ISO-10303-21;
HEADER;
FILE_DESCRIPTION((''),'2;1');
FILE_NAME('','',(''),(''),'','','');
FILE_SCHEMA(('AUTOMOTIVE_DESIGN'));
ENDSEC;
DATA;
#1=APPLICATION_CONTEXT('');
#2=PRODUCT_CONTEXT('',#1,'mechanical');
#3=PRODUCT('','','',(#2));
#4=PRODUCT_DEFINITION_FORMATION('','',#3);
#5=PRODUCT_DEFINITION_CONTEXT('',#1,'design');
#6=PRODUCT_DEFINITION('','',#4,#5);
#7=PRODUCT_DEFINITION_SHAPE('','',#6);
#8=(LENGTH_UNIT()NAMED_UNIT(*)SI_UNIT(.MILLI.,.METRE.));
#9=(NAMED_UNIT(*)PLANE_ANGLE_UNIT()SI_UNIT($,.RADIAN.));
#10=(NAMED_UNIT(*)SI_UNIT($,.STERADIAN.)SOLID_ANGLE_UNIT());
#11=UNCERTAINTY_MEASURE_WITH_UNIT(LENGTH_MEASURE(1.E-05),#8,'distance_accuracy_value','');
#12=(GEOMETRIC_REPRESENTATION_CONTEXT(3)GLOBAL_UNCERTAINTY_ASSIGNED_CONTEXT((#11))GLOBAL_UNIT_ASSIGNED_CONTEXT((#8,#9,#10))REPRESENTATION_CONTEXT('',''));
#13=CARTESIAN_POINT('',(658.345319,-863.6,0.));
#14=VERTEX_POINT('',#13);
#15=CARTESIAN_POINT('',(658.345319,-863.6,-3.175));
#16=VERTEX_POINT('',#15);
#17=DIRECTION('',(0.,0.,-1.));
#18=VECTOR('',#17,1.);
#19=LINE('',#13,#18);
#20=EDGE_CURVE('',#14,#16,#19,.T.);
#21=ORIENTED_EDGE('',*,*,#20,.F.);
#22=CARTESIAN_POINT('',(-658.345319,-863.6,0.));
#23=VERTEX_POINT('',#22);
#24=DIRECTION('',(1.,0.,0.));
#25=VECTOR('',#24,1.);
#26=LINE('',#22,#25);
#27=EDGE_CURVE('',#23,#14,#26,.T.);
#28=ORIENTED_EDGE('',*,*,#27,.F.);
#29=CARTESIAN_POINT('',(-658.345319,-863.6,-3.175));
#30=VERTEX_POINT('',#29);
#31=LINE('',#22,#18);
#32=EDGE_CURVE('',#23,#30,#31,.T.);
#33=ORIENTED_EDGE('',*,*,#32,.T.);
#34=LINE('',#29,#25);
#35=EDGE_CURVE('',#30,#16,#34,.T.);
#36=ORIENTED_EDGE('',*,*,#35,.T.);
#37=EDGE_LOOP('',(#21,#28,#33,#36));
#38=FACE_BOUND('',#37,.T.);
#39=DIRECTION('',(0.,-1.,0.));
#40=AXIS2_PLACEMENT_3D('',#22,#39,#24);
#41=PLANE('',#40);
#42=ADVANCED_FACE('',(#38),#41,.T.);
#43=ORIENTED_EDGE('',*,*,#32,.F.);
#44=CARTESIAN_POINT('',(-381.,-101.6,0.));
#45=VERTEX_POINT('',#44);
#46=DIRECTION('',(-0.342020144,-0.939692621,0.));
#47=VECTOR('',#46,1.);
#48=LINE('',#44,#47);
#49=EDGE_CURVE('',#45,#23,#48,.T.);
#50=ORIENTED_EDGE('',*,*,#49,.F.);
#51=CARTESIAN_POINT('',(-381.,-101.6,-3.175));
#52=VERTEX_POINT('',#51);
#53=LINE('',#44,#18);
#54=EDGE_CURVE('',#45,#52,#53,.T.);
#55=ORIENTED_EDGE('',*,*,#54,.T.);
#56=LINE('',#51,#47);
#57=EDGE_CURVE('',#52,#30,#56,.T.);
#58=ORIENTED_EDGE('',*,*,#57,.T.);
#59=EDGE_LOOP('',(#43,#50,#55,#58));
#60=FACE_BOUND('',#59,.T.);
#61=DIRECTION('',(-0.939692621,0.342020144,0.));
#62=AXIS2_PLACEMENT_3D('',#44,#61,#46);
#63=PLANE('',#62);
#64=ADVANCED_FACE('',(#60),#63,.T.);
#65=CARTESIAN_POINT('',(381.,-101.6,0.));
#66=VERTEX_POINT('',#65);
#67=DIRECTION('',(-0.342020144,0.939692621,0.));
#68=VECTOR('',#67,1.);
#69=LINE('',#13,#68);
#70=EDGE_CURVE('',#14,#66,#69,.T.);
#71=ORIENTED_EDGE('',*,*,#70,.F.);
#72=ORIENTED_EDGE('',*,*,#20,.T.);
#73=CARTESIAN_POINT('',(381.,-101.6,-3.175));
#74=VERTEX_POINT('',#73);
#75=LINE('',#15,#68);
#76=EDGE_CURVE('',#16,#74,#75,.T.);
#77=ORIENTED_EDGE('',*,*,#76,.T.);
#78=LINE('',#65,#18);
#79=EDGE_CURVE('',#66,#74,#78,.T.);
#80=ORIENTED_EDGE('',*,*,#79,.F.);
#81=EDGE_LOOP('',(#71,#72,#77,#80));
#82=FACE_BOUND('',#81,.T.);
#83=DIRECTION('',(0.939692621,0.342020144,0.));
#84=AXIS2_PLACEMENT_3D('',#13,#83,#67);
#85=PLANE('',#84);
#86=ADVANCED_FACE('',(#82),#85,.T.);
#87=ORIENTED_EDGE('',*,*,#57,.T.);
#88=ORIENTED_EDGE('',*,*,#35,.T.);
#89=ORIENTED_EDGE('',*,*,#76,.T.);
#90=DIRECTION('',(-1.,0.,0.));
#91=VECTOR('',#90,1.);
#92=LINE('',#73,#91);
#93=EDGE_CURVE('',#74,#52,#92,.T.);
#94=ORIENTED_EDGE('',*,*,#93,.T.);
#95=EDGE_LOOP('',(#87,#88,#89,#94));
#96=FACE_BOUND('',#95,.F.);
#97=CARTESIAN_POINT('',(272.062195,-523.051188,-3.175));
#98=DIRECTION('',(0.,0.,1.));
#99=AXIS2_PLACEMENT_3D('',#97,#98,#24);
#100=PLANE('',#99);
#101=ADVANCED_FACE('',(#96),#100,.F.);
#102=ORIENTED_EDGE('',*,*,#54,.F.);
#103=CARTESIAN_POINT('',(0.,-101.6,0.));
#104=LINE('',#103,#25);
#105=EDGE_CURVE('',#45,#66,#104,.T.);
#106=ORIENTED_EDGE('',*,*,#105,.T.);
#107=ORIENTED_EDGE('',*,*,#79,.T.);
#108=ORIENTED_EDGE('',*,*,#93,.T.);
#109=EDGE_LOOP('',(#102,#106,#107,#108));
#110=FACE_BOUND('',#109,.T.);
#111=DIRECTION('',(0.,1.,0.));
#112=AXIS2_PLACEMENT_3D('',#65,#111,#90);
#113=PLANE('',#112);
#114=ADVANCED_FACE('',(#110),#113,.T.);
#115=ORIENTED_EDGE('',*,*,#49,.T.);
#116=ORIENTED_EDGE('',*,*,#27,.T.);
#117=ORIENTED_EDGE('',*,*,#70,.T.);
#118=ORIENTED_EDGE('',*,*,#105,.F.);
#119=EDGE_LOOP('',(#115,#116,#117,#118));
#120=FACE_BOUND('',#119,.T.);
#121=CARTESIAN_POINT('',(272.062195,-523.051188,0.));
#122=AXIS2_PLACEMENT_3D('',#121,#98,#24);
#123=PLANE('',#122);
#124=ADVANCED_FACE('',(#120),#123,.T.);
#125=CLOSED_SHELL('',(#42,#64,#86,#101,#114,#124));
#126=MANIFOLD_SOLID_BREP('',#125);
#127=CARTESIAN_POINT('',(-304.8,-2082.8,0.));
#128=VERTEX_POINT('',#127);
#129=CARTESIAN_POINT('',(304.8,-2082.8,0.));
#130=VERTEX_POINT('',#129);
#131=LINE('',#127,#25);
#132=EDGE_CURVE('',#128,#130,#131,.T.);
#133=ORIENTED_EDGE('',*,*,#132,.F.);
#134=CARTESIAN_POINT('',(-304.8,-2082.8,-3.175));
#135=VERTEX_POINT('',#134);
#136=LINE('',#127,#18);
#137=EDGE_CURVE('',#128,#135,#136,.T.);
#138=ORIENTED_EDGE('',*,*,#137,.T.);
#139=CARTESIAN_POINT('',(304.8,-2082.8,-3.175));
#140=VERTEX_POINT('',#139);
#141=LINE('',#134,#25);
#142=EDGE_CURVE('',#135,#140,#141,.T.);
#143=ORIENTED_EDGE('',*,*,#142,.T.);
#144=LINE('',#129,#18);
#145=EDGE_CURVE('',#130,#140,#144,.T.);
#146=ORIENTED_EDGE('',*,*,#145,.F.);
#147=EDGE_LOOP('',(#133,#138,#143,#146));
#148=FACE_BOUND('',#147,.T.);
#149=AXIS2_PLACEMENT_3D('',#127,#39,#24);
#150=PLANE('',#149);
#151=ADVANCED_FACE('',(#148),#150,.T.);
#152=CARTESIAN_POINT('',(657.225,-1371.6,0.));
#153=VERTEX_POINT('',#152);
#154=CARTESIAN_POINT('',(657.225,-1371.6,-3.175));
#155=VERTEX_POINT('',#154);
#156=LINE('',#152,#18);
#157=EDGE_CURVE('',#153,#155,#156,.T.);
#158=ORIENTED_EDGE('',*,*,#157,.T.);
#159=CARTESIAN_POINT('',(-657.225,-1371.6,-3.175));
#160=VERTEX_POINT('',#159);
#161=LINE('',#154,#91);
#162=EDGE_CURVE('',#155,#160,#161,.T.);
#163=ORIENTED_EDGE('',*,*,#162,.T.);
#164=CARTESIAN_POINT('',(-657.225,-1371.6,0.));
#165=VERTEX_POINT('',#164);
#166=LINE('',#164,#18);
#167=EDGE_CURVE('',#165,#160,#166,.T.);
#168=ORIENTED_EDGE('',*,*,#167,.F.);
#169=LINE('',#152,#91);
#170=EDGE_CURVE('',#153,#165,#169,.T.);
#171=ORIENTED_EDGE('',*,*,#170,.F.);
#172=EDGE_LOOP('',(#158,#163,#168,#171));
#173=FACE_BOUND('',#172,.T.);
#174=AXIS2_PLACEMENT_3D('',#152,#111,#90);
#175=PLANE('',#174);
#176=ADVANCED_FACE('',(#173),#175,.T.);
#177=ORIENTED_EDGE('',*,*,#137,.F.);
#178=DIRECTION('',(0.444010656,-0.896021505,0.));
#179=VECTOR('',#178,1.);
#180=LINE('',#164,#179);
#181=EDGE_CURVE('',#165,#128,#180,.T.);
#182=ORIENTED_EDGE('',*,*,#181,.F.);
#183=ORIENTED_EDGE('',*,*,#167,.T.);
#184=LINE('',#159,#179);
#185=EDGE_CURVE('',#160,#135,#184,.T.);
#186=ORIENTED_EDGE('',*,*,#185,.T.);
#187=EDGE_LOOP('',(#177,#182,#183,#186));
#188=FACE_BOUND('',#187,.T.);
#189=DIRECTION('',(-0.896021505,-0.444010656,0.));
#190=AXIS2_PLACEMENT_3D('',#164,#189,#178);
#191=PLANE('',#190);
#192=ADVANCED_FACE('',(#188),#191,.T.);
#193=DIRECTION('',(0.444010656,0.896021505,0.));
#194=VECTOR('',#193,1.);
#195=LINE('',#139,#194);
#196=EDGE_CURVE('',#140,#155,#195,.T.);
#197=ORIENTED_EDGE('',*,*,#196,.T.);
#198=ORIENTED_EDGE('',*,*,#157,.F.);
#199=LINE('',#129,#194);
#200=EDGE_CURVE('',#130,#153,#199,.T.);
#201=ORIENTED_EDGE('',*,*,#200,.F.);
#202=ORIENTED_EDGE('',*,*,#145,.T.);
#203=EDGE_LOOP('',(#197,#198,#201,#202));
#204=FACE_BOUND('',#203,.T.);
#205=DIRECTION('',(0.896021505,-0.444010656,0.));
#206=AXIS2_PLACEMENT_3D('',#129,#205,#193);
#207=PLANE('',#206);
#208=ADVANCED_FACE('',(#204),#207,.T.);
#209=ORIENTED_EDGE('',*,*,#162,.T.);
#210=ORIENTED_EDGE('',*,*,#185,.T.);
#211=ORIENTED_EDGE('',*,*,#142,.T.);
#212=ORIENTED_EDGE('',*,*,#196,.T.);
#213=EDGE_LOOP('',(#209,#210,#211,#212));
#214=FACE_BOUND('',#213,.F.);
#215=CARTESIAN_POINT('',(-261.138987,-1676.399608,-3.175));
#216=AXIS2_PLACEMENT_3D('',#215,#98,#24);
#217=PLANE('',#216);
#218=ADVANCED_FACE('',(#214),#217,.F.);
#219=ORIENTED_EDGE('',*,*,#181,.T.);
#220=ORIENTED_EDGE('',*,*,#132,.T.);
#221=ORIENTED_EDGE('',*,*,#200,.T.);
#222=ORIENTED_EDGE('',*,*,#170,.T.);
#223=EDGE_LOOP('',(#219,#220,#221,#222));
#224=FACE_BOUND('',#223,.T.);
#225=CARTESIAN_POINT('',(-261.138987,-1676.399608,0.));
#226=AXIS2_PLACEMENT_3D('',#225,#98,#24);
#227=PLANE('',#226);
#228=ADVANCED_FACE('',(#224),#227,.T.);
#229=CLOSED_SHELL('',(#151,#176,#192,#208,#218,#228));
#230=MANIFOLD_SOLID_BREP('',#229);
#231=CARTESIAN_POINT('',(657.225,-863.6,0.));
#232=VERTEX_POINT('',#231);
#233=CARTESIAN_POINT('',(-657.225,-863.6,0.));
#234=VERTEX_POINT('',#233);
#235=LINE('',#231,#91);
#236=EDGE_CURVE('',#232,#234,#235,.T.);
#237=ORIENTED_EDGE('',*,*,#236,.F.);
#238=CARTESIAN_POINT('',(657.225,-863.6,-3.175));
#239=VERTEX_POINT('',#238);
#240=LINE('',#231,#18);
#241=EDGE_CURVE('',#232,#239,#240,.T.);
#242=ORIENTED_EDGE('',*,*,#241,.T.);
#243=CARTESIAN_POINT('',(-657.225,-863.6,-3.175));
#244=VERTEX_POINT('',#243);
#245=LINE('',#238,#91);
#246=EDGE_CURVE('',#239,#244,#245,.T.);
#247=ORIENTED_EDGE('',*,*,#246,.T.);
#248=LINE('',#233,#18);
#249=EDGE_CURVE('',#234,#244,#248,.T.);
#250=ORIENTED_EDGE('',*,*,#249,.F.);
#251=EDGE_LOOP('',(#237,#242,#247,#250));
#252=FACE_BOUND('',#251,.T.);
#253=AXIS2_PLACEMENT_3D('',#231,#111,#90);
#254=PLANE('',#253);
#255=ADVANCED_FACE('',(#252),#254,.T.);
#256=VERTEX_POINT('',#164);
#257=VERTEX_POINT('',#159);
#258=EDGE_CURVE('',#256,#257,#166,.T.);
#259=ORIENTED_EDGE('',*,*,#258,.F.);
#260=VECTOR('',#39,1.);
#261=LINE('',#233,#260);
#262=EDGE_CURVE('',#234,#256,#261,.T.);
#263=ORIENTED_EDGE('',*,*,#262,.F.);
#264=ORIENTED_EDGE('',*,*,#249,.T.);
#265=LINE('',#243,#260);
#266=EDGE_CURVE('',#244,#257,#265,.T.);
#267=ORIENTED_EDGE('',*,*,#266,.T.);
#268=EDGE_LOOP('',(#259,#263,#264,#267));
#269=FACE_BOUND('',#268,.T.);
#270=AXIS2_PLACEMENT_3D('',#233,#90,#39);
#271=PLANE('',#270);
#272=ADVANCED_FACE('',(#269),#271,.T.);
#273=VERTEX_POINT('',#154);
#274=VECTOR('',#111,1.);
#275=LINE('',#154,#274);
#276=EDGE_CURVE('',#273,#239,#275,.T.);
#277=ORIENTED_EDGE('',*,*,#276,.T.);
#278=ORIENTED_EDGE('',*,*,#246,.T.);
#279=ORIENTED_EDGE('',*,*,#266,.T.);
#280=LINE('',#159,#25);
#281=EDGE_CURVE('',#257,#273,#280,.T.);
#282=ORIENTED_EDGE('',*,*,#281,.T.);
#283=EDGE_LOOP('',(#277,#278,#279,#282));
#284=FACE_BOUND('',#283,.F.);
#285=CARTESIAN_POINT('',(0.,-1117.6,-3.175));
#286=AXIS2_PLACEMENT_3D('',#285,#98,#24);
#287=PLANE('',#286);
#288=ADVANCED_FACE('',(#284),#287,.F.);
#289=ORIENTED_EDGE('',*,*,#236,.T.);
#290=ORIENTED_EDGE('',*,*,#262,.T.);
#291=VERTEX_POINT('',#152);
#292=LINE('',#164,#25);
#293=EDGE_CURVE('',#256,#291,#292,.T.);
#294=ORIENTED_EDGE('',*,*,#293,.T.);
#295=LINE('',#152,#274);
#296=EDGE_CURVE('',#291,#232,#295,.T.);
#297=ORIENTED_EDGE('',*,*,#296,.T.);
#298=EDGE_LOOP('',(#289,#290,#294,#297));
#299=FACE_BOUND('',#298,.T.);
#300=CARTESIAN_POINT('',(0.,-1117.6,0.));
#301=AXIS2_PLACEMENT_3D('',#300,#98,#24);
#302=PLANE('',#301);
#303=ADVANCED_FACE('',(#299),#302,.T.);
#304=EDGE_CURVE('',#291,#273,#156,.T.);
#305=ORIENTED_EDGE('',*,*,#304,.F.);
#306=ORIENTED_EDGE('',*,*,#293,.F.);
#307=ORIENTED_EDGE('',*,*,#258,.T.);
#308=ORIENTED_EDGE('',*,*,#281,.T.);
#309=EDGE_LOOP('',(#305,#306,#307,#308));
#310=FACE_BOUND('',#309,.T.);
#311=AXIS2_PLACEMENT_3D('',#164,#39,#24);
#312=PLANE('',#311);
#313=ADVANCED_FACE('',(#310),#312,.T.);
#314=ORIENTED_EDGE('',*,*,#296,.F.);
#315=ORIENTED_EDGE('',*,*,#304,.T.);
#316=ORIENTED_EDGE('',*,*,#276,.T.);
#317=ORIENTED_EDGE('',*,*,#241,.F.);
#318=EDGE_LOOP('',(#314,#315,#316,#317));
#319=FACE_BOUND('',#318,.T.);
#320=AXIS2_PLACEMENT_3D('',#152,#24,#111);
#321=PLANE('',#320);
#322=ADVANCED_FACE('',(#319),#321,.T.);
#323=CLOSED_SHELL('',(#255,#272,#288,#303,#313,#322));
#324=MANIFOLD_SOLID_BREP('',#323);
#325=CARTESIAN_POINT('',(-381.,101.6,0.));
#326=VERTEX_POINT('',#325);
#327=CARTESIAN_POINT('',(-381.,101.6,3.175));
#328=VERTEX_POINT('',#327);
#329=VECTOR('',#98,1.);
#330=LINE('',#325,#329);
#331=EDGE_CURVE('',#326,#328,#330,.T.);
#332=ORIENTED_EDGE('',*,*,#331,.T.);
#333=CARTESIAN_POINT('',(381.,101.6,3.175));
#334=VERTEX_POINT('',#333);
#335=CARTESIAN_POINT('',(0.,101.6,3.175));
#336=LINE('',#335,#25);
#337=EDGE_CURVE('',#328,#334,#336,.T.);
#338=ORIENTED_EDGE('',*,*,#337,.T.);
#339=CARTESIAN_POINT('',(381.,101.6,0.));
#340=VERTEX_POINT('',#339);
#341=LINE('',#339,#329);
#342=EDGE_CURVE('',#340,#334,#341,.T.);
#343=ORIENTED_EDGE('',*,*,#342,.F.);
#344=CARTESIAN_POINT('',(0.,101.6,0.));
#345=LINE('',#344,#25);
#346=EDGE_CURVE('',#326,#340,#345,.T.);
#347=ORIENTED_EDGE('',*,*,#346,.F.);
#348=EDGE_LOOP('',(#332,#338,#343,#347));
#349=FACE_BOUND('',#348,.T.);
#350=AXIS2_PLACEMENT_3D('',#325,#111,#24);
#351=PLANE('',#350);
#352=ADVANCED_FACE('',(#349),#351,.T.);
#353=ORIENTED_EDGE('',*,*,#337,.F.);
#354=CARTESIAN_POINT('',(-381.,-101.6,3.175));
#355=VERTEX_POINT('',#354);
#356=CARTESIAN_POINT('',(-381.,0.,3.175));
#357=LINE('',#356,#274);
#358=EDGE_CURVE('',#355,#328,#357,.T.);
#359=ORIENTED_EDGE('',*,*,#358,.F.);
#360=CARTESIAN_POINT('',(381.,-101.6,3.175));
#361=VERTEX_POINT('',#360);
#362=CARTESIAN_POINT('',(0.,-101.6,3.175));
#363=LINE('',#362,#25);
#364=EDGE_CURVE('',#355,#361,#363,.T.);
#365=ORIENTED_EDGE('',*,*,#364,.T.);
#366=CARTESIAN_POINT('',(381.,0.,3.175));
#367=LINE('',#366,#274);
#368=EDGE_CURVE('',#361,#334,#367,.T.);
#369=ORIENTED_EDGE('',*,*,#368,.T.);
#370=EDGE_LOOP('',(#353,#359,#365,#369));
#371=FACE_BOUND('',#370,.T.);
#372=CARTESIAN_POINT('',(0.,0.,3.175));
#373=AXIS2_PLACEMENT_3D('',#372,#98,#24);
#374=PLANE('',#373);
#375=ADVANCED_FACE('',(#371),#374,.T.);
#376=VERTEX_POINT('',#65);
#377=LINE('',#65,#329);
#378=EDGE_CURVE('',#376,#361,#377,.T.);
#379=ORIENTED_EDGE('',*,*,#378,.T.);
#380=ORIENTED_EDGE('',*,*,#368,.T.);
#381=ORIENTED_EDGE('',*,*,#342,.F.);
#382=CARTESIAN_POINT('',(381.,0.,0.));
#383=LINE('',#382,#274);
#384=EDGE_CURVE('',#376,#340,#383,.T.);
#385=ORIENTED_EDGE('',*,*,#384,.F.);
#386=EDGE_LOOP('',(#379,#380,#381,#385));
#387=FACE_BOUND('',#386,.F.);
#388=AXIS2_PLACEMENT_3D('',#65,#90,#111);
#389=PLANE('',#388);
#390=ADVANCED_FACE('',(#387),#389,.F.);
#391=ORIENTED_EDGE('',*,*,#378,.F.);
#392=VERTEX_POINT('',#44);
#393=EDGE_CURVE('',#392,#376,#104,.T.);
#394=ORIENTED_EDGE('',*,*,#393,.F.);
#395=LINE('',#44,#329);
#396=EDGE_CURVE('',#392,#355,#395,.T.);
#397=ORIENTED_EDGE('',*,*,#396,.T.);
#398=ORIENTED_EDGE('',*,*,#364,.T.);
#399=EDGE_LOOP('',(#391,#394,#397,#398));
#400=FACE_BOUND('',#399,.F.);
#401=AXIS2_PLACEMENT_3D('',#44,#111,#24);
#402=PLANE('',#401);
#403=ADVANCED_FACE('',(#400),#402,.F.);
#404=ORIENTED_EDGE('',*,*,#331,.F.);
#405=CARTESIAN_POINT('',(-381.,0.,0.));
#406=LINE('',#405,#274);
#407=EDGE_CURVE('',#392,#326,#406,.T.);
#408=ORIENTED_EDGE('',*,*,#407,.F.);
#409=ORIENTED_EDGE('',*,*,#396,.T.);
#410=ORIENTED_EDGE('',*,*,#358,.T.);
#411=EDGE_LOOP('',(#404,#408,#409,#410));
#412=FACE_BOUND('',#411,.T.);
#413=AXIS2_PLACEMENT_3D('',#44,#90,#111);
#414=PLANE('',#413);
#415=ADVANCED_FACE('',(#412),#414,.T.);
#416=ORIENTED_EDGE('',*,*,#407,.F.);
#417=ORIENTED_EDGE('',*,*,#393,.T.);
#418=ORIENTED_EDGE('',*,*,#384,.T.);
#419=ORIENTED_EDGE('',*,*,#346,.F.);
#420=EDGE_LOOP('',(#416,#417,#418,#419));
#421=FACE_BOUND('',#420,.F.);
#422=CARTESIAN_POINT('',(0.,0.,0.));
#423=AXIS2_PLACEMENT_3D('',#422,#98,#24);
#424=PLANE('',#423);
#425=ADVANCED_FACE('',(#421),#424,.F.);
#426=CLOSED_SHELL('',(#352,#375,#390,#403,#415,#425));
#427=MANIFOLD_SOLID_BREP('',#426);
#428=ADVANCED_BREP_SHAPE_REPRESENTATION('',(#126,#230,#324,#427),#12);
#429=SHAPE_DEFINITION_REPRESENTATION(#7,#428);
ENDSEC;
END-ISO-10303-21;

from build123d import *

# Parameters (mm, degrees)
F0_W     = 762
F0_H     = 203.2
F1_DEPTH = 3.175
F3_DEPTH = 3.175
F5_DEPTH = 3.175
F7_DEPTH = 3.175


with BuildPart() as f1:
    # F0 (on Top) → F1 (new body)
    with BuildSketch(Plane.XY):
        Rectangle(F0_W, F0_H)
    extrude(amount=F1_DEPTH)

    # F2 (on Top) → F3 (join)
    with BuildSketch(Plane.XY):
        Polygon((658.345319, -863.6), (381, -101.6), (0, -101.6), (0, -863.6), align=None)
        Polygon((0, -863.6), (0, -101.6), (-381, -101.6), (-658.345319, -863.6), align=None)
    extrude(amount=-F3_DEPTH)


with BuildPart() as f5:
    # F4 (on Top) → F5 (new body)
    with BuildSketch(Plane.XY):
        Polygon((0, -863.6), (-657.225, -863.6), (-657.225, -1371.6), (657.225, -1371.6), (657.225, -863.6), align=None)
    extrude(amount=-F5_DEPTH)


with BuildPart() as f7:
    # F6 (on Top) → F7 (new body)
    with BuildSketch(Plane.XY):
        Polygon((0, -1371.6), (-657.225, -1371.6), (-304.8, -2082.8), (0, -2082.8), align=None)
        Polygon((657.225, -1371.6), (0, -1371.6), (0, -2082.8), (304.8, -2082.8), align=None)
    extrude(amount=-F7_DEPTH)


solid = Compound([f1.part, f5.part, f7.part])
